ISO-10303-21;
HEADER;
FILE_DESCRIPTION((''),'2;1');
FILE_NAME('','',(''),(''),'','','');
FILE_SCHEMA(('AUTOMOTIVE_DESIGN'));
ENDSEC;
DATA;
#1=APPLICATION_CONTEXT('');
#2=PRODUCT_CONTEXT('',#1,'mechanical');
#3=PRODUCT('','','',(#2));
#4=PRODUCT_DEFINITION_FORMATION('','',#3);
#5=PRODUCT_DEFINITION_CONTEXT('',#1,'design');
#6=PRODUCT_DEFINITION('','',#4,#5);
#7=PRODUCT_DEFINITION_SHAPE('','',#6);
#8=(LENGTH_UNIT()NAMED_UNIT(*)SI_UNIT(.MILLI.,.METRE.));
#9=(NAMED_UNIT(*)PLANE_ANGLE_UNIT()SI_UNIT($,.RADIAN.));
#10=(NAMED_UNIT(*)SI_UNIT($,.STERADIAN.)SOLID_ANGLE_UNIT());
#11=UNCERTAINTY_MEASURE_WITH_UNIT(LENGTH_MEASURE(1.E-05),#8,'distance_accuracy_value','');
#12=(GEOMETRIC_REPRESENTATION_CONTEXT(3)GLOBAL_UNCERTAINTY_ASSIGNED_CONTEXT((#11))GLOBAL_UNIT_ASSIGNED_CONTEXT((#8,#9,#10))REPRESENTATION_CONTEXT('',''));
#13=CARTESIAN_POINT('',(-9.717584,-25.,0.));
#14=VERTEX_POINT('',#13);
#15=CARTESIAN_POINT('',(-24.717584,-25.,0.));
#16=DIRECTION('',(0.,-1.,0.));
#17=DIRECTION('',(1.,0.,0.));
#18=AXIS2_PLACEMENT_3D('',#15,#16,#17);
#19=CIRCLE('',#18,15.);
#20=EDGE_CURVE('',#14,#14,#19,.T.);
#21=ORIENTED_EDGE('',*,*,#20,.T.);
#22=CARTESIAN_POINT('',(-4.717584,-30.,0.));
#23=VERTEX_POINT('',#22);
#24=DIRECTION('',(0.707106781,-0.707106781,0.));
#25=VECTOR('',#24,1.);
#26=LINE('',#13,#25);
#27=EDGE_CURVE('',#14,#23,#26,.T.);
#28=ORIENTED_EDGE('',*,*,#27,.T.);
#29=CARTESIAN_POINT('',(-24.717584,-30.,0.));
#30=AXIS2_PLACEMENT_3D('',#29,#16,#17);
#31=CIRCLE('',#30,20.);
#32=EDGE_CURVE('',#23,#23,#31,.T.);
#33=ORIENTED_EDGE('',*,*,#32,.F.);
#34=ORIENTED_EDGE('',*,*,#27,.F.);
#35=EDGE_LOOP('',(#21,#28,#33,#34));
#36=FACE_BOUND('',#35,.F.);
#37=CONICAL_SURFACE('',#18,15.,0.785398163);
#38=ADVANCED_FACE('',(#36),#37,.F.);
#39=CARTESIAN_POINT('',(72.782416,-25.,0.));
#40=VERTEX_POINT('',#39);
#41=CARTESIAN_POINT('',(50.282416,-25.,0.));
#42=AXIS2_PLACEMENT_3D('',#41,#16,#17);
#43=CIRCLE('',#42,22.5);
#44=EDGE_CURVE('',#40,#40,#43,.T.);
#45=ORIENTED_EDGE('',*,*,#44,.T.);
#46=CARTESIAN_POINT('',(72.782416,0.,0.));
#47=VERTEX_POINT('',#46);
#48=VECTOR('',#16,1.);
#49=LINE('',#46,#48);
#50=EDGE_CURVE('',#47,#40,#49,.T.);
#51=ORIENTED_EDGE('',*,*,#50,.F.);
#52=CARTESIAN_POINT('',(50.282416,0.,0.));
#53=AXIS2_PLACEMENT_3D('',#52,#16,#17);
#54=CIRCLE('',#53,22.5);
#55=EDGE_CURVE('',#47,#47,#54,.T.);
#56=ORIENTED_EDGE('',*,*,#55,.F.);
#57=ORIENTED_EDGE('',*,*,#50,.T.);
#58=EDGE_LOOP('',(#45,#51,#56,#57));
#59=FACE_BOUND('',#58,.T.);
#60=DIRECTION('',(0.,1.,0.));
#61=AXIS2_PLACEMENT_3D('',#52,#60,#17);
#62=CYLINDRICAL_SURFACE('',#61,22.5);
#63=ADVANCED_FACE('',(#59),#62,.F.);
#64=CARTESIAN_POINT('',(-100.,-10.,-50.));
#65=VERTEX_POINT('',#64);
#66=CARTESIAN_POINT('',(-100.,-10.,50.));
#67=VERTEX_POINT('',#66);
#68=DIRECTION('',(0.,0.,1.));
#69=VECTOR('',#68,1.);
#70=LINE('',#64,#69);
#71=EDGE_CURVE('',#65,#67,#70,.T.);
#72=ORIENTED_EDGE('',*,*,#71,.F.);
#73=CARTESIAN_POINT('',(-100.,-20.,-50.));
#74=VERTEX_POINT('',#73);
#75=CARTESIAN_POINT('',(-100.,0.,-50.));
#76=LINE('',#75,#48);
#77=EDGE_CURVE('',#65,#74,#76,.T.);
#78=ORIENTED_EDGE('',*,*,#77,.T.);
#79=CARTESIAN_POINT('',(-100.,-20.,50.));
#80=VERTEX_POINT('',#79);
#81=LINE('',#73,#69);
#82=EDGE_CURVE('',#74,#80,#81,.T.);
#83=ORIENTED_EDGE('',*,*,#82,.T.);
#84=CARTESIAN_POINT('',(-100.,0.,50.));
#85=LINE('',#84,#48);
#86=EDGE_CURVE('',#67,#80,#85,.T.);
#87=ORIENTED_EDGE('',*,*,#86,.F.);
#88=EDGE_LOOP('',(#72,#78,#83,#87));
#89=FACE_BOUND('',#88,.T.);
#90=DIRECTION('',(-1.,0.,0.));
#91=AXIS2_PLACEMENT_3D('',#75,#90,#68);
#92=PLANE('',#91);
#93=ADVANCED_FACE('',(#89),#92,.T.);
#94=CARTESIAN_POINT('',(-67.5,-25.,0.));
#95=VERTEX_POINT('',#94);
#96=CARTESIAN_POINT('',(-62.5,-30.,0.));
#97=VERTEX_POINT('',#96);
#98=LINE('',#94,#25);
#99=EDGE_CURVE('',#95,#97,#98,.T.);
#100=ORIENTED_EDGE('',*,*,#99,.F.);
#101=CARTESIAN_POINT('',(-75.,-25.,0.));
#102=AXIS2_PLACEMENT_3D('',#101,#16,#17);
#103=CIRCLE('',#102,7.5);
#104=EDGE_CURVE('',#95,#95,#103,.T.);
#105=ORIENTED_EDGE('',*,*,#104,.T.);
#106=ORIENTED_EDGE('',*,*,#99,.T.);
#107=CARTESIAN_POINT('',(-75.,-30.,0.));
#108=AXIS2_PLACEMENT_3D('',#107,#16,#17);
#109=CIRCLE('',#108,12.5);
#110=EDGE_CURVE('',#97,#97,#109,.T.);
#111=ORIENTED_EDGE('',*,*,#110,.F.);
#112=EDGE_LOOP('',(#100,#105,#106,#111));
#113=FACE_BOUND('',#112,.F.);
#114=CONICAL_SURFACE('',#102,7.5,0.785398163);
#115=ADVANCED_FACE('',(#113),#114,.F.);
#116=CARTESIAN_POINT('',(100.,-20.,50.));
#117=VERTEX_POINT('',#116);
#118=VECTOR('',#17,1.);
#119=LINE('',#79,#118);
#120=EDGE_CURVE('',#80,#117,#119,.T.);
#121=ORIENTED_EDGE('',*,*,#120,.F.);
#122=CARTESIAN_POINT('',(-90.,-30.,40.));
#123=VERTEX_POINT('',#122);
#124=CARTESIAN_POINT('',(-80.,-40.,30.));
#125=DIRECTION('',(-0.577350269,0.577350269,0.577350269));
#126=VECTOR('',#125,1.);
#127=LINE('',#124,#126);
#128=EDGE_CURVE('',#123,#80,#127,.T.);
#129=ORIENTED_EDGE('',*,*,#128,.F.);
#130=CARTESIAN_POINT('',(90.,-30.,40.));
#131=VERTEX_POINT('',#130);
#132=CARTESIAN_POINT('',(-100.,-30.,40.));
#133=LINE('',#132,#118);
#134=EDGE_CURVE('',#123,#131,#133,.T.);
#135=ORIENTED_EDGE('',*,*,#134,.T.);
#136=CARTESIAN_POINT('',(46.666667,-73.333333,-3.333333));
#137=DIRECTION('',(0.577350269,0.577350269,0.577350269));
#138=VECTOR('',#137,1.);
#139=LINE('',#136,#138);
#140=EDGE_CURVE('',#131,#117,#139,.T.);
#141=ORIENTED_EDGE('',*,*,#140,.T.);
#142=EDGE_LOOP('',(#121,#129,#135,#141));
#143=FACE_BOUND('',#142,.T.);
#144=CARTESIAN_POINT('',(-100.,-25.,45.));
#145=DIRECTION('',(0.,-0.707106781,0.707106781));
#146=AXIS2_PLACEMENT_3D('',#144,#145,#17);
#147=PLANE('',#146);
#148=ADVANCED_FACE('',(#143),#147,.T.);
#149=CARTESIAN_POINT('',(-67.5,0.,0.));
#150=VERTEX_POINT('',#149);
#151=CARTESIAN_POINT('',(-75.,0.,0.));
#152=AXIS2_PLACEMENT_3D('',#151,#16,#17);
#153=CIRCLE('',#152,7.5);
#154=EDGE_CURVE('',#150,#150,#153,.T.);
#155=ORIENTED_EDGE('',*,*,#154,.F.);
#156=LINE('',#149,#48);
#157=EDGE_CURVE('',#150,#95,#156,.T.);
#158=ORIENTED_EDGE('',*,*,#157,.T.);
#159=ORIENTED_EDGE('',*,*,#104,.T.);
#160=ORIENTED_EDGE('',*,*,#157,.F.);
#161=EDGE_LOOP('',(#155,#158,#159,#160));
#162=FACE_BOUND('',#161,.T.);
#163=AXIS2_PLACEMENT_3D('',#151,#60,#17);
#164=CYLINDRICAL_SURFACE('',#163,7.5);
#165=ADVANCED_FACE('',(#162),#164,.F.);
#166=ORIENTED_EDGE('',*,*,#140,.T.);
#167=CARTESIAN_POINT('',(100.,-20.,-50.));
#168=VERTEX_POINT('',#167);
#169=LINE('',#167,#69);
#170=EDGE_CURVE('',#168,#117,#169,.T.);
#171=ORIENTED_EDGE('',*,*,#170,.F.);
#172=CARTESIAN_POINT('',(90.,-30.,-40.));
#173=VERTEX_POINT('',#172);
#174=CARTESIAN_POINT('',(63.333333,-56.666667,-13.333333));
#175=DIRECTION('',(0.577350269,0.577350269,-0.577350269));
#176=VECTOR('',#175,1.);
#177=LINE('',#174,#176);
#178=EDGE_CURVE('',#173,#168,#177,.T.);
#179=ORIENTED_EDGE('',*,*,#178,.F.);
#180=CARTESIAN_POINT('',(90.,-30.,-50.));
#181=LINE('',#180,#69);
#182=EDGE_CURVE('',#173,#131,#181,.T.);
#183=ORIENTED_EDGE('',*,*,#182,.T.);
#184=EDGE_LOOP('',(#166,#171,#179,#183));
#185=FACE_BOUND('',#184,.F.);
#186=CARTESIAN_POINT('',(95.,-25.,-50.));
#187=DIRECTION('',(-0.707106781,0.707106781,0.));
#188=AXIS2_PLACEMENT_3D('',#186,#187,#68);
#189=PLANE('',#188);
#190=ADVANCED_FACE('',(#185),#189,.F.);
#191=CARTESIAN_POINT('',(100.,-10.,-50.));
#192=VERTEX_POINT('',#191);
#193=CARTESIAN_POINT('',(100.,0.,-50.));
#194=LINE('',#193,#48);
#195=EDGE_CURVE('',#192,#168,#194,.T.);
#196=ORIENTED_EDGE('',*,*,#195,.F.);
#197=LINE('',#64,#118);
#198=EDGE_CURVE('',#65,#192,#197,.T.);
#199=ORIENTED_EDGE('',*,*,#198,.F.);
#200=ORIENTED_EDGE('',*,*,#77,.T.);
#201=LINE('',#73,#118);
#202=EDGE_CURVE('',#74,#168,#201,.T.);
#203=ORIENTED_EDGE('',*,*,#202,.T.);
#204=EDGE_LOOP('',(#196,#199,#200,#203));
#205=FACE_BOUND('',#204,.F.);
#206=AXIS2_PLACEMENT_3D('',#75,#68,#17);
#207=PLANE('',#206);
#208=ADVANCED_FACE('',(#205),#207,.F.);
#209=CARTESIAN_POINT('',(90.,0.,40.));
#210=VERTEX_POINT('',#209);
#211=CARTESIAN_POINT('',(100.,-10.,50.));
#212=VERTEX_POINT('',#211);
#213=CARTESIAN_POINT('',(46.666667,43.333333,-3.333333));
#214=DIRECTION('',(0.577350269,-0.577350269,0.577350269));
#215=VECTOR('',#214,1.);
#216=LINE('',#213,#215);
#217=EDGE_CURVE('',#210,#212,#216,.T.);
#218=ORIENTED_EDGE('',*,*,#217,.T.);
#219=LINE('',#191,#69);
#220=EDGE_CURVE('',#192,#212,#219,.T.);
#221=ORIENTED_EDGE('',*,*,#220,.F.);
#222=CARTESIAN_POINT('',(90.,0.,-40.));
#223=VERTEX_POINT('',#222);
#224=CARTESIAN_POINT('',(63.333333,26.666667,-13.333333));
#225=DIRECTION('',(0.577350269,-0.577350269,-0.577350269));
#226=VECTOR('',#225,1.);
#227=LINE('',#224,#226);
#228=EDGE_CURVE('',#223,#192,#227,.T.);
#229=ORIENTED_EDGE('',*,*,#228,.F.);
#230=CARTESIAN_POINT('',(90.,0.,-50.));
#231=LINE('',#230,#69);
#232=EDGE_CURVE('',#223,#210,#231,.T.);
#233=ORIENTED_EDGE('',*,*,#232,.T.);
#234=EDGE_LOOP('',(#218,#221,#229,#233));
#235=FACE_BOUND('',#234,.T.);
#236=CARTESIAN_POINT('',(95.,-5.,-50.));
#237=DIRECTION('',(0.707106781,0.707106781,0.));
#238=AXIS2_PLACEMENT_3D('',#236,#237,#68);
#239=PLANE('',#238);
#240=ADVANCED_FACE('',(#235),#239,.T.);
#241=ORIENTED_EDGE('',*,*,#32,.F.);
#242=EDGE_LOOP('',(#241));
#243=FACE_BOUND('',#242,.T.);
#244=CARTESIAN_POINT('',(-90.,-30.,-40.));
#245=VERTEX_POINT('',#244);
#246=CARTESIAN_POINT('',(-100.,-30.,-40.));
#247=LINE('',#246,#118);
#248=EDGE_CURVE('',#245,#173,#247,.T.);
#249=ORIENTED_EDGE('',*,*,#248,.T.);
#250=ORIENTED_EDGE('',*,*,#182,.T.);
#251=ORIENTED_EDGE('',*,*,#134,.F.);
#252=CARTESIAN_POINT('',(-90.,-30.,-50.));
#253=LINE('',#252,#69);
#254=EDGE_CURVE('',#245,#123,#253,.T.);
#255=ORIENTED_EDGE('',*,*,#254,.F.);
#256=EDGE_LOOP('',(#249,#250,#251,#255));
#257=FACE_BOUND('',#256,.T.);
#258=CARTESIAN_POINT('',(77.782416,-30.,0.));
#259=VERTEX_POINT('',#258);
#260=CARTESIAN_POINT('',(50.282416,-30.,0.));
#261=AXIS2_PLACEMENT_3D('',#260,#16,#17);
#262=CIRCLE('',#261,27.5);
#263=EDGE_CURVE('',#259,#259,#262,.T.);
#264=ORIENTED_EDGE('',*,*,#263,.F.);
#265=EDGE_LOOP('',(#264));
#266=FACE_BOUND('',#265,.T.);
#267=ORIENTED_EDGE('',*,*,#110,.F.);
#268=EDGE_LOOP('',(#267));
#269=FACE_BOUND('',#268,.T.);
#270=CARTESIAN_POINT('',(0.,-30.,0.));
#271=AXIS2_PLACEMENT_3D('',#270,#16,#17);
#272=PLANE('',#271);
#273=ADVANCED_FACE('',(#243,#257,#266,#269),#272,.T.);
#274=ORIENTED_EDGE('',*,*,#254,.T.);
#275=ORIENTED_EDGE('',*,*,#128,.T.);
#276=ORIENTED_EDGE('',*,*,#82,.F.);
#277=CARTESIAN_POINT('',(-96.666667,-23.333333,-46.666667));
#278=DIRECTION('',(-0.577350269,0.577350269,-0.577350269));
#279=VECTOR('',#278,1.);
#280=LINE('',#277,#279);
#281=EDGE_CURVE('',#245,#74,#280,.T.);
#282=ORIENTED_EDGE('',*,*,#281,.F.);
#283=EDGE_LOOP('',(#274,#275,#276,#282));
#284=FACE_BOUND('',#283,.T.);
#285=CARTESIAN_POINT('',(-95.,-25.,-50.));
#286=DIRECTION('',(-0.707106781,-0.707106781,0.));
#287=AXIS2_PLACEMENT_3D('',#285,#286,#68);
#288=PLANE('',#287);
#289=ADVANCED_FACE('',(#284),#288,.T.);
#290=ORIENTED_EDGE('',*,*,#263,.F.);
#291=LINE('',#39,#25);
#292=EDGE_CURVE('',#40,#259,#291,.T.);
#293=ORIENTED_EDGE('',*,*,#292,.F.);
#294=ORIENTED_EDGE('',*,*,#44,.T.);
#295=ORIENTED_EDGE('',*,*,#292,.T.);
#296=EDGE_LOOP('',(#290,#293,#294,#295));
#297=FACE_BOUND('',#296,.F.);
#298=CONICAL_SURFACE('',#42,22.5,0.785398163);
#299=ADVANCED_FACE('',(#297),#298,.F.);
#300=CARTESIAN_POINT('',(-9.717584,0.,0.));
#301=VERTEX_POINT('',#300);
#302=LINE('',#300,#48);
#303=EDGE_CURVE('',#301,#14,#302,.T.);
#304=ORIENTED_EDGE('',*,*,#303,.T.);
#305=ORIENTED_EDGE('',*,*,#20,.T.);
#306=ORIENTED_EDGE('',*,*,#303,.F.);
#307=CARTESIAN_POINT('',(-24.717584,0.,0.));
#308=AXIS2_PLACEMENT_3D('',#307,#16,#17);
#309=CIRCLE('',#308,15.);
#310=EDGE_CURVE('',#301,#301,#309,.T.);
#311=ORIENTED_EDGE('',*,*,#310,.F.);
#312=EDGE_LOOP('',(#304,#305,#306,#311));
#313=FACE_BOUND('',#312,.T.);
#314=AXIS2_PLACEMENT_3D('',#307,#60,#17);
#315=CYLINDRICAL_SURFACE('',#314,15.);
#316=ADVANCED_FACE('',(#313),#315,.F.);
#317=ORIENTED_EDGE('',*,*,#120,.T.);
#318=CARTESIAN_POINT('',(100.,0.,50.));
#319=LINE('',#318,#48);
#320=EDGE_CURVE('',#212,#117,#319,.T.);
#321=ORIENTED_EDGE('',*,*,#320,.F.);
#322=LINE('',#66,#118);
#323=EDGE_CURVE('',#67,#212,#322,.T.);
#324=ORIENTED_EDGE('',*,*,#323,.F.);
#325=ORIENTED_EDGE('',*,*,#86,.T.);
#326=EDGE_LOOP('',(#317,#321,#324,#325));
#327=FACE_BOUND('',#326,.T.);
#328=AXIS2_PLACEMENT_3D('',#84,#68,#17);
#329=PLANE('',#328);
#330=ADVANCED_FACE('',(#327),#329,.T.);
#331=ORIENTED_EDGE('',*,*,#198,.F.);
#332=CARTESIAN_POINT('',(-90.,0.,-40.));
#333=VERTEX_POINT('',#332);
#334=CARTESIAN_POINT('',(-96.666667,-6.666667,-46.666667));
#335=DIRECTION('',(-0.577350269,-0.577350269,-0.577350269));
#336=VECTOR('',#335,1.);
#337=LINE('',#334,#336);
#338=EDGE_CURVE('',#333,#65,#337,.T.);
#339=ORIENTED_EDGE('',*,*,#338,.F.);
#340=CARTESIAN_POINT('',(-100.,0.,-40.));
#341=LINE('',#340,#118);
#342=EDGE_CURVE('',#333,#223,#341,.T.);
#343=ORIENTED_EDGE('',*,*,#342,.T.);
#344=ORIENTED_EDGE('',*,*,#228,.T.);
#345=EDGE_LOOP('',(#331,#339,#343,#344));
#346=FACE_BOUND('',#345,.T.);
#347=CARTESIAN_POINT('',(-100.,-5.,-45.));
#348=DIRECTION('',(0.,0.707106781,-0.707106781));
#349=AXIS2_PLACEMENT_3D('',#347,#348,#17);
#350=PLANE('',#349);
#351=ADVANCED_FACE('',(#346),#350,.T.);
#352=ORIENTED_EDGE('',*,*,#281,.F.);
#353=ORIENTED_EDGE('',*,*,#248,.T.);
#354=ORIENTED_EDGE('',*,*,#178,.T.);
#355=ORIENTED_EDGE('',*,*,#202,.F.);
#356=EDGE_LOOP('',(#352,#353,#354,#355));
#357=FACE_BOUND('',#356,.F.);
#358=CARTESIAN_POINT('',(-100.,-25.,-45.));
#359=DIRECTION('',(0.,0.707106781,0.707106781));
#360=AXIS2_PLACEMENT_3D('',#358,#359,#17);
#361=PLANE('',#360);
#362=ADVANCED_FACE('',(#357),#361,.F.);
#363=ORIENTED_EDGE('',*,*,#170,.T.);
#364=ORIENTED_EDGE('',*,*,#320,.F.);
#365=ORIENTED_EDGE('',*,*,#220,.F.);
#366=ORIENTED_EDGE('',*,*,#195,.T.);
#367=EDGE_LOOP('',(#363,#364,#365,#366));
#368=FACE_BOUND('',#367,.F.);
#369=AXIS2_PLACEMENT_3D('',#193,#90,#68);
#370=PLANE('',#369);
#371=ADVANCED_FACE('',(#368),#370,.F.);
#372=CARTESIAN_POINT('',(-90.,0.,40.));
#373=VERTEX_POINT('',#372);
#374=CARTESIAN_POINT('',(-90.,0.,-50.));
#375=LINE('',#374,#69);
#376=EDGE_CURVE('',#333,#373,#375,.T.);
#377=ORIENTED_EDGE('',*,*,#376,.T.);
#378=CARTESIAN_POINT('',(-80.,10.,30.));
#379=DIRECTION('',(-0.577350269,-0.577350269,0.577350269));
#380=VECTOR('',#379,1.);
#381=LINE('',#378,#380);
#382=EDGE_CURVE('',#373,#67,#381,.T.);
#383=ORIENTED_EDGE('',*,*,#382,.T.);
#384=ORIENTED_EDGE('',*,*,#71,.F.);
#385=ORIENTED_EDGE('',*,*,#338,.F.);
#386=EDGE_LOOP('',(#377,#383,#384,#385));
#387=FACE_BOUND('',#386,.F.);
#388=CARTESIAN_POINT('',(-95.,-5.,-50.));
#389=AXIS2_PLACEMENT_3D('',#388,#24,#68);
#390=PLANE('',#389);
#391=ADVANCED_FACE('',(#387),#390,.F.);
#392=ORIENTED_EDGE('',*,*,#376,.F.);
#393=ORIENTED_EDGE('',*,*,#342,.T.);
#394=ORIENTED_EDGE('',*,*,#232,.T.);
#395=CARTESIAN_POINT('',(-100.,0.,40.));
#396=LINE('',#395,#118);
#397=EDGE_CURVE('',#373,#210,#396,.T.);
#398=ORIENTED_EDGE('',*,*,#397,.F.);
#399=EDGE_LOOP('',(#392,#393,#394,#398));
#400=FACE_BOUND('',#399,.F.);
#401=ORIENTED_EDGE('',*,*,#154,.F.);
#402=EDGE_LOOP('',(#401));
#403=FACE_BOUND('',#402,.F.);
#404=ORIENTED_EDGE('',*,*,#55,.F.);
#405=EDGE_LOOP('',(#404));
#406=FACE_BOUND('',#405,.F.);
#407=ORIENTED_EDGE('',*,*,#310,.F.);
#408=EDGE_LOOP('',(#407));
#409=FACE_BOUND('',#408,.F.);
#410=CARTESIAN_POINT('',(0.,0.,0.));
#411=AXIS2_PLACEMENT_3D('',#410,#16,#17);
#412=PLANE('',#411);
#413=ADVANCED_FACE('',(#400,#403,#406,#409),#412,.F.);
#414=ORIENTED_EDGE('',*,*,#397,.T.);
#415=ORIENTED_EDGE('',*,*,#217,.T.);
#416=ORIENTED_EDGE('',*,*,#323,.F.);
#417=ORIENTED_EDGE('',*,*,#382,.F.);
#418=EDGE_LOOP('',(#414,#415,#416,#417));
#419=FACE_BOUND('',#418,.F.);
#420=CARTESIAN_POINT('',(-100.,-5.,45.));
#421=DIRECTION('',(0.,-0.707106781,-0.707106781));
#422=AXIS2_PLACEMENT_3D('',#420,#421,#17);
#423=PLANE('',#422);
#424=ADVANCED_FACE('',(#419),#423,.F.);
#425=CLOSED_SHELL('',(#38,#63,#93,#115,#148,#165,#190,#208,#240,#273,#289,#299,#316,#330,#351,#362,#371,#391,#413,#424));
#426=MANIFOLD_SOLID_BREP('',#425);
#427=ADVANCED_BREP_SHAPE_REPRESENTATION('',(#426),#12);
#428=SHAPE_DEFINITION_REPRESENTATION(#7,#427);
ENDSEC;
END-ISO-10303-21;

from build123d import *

# Parameters (mm, degrees)
F0_W     = 200
F0_H     = 100
F0_R     = 7.5
F0_R_2   = 15
F0_R_3   = 22.5
F1_DEPTH = 30
F2_SIZE2 = 5
F2_SIZE  = 5
F3_SIZE2 = 10
F3_SIZE  = 10


with BuildPart() as f1:
    # F0 (on Front) → F1 (new body)
    with BuildSketch(Plane.XZ):
        Rectangle(F0_W, F0_H)
        with Locations((-75, 0)):
            Circle(F0_R, mode=Mode.SUBTRACT)
        with Locations((-24.717584, 0)):
            Circle(F0_R_2, mode=Mode.SUBTRACT)
        with Locations((50.282416, 0)):
            Circle(F0_R_3, mode=Mode.SUBTRACT)
    extrude(amount=F1_DEPTH)

    # F2
    f2_edges = [f1.edges().sort_by_distance(p)[0] for p in [
        (-39.717584, -30, 0),
        (-82.5, -30, 0),
        (27.782416, -30, 0),
    ]]
    chamfer(f2_edges, length=F2_SIZE, length2=F2_SIZE2)

    # F3
    f3_edges = [f1.edges().sort_by_distance(p)[0] for p in [
        (0, -30, 50),
        (-100, -30, 0),
        (0, -30, -50),
        (100, -30, 0),
        (100, 0, 0),
        (0, 0, 50),
        (0, 0, -50),
        (-100, 0, 0),
    ]]
    chamfer(f3_edges, length=F3_SIZE, length2=F3_SIZE2)


solid = f1.part
